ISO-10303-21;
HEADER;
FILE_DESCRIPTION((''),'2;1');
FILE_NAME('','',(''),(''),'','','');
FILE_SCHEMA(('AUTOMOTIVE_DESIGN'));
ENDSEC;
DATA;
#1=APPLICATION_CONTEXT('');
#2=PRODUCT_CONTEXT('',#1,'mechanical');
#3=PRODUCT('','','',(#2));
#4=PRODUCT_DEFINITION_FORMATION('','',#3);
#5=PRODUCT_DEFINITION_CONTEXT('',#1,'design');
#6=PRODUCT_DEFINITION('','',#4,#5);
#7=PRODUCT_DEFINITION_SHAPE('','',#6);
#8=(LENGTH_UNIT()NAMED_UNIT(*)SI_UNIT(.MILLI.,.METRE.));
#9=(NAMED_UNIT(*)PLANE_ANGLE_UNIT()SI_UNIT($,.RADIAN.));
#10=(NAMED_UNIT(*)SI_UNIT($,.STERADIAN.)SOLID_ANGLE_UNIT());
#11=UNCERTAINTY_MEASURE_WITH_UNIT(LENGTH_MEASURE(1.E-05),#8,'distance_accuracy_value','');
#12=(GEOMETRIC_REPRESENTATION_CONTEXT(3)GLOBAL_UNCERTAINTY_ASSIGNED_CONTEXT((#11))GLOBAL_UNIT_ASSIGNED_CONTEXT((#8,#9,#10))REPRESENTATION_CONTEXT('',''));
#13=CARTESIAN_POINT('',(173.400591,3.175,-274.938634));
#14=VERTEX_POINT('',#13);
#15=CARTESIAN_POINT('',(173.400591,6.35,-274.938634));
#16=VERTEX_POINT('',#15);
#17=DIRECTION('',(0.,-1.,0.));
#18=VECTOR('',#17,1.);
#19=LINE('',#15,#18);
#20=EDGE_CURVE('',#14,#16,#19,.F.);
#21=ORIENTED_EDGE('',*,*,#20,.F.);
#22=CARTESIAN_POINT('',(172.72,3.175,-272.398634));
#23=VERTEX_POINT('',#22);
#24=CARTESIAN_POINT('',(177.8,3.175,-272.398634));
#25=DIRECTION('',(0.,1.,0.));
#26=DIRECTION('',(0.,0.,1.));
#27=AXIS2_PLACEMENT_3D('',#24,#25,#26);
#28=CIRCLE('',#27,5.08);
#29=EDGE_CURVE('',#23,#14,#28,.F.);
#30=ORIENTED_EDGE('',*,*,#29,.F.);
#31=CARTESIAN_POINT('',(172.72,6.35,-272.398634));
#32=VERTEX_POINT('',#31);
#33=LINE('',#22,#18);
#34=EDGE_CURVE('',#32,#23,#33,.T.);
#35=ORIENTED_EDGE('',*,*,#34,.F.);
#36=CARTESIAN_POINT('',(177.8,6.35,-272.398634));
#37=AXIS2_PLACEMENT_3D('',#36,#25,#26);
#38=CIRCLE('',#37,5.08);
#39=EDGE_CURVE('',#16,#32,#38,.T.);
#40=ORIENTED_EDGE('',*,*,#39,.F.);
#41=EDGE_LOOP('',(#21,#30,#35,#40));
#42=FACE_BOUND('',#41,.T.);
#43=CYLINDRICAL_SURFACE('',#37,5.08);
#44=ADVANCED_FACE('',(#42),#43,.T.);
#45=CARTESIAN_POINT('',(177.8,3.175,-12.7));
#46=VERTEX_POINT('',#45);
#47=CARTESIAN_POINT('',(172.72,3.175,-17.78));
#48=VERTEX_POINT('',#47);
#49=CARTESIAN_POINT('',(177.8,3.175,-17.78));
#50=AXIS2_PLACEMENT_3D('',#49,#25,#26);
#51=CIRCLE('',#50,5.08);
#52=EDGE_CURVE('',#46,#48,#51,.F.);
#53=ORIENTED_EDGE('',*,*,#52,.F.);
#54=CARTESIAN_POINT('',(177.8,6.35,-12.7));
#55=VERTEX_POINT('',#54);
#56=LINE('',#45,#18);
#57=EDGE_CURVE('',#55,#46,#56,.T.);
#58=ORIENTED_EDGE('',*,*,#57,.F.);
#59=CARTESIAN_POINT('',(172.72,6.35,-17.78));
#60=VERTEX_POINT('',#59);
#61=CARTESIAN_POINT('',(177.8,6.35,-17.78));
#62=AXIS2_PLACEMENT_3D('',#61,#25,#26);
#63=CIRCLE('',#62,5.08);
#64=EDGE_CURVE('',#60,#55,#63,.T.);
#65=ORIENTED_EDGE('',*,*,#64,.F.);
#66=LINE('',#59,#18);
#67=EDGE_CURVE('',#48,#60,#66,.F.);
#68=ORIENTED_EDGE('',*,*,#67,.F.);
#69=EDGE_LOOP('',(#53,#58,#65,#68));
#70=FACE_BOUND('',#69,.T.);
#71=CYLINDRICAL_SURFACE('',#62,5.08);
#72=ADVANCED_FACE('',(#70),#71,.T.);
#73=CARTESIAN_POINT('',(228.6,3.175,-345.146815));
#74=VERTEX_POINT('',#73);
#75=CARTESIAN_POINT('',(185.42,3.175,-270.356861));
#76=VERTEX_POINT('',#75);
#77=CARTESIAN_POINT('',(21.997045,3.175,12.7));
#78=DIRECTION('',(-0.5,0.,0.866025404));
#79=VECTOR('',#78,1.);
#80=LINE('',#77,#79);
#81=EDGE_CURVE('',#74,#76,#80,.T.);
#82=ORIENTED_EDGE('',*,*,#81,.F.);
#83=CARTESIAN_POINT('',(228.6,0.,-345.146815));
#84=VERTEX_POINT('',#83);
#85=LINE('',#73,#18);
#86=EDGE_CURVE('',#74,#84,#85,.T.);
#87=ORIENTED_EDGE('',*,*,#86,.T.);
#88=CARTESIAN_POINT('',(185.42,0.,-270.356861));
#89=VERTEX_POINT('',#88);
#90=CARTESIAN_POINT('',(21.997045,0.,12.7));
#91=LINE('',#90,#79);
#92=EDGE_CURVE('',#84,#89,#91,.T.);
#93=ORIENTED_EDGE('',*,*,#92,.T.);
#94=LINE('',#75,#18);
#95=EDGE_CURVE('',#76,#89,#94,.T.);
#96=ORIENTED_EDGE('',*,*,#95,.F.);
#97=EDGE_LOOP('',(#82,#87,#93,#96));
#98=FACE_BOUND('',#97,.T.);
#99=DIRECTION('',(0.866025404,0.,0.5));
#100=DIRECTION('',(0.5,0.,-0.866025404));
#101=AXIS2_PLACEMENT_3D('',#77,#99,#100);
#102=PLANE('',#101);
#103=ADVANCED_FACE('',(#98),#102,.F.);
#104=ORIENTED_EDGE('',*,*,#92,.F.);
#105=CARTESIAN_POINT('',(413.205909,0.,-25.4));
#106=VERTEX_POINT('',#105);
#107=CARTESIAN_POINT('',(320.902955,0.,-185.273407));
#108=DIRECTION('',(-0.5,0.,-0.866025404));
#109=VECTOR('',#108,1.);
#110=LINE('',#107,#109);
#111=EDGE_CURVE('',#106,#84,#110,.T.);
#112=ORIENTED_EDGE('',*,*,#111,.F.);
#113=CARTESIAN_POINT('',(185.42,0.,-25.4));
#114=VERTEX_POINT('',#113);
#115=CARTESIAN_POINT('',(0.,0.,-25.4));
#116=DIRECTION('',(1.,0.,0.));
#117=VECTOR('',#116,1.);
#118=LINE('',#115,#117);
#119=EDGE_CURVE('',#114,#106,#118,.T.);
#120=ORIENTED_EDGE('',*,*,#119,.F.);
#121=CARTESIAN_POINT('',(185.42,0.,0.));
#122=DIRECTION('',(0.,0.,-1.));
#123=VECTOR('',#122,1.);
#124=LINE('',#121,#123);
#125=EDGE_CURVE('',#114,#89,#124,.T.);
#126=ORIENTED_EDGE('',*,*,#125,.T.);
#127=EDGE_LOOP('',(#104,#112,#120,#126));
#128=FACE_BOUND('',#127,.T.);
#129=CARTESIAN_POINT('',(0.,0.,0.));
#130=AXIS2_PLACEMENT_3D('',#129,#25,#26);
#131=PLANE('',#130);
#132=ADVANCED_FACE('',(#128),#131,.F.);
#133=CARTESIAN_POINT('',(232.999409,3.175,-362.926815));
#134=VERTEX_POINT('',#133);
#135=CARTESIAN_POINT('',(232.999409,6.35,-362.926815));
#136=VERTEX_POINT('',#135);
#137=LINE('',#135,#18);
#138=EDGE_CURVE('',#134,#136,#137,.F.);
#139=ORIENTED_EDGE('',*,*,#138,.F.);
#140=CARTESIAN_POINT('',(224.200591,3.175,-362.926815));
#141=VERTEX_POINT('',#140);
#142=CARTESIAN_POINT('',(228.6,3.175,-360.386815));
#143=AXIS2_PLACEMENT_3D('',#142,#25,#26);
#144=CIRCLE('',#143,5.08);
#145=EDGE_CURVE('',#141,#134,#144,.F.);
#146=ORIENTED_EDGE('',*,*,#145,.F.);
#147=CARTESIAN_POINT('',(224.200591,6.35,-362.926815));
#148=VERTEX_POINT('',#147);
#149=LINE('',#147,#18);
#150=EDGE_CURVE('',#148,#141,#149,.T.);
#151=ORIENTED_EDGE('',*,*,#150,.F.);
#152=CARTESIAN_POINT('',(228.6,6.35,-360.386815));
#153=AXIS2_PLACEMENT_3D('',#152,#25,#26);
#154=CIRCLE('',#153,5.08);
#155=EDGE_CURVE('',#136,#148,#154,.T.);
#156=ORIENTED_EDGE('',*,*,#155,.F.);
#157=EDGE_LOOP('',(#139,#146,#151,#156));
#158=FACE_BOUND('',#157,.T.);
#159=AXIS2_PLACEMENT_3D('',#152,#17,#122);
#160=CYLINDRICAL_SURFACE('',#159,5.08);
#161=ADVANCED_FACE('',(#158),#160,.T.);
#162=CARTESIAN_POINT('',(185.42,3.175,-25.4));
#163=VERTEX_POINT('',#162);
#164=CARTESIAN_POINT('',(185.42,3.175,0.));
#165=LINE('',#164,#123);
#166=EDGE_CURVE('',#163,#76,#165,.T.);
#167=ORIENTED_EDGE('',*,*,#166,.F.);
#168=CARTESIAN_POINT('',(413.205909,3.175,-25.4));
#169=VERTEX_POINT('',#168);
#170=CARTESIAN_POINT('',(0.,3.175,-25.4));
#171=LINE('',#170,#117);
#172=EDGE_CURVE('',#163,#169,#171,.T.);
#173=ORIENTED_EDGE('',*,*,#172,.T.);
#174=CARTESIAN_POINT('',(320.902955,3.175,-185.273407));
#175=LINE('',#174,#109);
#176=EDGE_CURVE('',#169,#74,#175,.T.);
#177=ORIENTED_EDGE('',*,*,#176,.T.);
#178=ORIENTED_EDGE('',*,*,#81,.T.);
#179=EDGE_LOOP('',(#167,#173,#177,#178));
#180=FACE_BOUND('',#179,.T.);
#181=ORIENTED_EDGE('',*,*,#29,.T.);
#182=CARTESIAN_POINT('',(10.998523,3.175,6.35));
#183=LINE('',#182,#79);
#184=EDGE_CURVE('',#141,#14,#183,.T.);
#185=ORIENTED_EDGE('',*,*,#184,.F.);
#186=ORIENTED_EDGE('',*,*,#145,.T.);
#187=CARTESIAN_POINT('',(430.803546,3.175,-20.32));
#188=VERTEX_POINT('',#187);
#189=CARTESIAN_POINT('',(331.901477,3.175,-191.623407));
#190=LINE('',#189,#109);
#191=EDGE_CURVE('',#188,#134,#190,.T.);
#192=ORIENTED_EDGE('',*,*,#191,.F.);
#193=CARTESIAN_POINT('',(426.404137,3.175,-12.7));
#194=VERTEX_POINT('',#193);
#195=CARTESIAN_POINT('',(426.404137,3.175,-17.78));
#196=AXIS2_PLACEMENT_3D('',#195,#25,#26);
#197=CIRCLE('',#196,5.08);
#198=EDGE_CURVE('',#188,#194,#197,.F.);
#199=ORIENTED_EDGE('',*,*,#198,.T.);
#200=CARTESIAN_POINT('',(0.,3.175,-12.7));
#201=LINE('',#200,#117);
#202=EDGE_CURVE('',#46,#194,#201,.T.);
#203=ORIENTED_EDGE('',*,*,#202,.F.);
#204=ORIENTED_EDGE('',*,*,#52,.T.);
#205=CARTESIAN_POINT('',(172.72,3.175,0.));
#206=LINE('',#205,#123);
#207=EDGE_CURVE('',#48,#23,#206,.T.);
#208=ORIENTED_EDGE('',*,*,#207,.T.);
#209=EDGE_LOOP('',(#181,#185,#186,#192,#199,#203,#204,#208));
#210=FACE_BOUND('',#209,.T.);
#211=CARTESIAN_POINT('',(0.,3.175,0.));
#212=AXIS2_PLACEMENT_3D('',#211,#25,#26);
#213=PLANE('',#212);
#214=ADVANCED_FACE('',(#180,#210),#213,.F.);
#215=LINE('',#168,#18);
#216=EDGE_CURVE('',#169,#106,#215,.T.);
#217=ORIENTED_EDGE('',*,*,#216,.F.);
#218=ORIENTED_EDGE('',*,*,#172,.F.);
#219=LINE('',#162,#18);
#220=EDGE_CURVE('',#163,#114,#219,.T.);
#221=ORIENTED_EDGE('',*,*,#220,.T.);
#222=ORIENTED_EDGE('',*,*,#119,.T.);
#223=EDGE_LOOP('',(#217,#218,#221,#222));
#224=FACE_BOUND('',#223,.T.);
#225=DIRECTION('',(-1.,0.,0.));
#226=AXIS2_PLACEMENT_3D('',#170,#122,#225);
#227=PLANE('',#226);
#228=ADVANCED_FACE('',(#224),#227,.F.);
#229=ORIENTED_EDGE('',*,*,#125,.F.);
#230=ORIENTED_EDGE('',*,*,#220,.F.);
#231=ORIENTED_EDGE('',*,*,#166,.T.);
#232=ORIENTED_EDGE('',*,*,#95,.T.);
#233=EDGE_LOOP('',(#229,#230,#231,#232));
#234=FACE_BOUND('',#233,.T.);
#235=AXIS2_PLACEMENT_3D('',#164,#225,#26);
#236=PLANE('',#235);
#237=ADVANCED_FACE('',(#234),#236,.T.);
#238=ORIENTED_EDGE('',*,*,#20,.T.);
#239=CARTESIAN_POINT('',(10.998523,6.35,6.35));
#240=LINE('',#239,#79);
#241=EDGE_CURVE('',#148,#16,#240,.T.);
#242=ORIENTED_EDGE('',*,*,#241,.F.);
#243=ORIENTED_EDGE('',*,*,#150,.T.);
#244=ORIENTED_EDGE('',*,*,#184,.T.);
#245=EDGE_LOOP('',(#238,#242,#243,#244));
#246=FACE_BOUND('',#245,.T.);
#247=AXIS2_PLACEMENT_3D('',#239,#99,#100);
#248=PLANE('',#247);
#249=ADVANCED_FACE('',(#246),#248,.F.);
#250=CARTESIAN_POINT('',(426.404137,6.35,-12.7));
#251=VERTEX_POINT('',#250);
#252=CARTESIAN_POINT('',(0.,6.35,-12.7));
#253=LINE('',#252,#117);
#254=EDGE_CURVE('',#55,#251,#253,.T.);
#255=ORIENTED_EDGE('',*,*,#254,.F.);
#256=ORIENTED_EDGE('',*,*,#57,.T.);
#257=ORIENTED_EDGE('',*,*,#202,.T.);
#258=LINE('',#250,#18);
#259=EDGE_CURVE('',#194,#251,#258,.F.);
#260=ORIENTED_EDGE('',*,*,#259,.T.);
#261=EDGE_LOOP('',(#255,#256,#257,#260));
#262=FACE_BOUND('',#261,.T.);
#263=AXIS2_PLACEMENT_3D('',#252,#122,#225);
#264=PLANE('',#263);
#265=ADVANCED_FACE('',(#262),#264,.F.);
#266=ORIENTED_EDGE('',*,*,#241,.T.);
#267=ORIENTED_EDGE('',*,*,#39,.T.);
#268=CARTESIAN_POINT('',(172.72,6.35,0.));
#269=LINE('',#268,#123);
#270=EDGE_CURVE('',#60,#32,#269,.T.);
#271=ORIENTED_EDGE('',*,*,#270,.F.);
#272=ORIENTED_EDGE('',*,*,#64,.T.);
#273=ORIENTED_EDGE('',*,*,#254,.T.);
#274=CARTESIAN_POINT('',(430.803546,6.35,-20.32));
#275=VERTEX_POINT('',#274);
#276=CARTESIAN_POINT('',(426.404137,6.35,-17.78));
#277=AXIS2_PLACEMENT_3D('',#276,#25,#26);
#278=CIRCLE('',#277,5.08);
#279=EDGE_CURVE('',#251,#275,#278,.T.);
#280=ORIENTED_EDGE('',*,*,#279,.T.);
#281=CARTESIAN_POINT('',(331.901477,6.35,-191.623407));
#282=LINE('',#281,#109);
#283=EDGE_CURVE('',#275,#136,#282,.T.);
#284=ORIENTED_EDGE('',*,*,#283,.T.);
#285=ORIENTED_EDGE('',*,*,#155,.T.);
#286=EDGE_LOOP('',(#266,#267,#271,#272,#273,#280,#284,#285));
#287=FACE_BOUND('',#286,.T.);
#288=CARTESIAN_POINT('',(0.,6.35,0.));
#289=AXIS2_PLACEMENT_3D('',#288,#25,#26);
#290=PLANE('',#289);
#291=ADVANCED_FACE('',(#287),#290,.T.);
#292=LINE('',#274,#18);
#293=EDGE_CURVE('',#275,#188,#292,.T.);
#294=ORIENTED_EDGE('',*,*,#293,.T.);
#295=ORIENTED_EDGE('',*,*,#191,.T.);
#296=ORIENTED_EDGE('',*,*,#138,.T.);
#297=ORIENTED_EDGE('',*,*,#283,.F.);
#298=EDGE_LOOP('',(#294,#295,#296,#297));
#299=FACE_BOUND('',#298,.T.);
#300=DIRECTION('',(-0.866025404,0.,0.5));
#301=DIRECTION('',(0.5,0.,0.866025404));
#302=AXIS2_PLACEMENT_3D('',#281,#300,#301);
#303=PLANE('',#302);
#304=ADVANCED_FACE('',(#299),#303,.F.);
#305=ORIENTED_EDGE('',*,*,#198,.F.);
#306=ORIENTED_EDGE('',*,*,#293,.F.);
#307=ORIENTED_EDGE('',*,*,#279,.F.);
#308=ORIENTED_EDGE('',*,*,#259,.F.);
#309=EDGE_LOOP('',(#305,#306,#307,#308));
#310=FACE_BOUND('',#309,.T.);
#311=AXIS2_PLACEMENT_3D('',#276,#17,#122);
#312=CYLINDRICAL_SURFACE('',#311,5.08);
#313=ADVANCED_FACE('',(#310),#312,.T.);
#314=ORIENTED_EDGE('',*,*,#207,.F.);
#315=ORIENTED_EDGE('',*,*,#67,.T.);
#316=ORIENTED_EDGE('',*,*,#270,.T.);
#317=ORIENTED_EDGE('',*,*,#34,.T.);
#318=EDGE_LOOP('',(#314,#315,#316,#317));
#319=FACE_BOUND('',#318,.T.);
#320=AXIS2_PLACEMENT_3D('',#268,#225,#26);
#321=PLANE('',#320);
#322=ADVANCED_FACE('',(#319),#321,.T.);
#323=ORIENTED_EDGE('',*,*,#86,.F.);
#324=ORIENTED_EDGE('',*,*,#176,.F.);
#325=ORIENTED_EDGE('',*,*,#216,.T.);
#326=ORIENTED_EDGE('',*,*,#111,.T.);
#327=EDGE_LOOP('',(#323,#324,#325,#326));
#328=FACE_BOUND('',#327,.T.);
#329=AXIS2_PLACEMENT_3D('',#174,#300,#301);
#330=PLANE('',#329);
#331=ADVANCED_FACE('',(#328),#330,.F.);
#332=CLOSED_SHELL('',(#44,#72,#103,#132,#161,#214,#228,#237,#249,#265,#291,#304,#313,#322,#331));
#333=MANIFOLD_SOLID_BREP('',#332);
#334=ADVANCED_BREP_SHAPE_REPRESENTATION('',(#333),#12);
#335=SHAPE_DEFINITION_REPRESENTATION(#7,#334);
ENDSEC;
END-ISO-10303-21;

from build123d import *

# Parameters (mm, degrees)
BOSS_EXTRUDE1_DEPTH = 6.35
CUT_EXTRUDE2_DEPTH  = 3.175
FILLET1_R           = 5.08


with BuildPart() as part:
    # Sketch1 → Boss-Extrude1 (new body)
    with BuildSketch(Plane(origin=(0, 0, 0), x_dir=(1, 0, 0), z_dir=(0, 1, 0))):
        Polygon((172.72, 12.7), (435.202954744, 12.7), (228.6, 370.54681461), (172.72, 273.759815483), align=None)
    extrude(amount=BOSS_EXTRUDE1_DEPTH)

    # Sketch1<3> → Cut-Extrude2 (cut)
    with BuildSketch(Plane(origin=(0, 0, 0), x_dir=(1, 0, 0), z_dir=(0, 1, 0))):
        Polygon((172.72, 12.7), (435.202954744, 12.7), (228.6, 370.54681461), (172.72, 273.759815483), align=None)
        Polygon((413.205909488, 25.4), (185.42, 25.4), (185.42, 270.356860739), (228.6, 345.14681461), align=None, mode=Mode.SUBTRACT)
    extrude(amount=CUT_EXTRUDE2_DEPTH, mode=Mode.SUBTRACT)

    # Fillet1
    fillet1_edges = [part.edges().sort_by_distance(p)[0] for p in [
        (228.6, 4.7625, -370.54681461),
        (172.72, 4.7625, -273.759815483),
        (172.72, 4.7625, -12.7),
        (435.202954744, 4.7625, -12.7),
    ]]
    fillet(fillet1_edges, radius=FILLET1_R)


solid = part.part
